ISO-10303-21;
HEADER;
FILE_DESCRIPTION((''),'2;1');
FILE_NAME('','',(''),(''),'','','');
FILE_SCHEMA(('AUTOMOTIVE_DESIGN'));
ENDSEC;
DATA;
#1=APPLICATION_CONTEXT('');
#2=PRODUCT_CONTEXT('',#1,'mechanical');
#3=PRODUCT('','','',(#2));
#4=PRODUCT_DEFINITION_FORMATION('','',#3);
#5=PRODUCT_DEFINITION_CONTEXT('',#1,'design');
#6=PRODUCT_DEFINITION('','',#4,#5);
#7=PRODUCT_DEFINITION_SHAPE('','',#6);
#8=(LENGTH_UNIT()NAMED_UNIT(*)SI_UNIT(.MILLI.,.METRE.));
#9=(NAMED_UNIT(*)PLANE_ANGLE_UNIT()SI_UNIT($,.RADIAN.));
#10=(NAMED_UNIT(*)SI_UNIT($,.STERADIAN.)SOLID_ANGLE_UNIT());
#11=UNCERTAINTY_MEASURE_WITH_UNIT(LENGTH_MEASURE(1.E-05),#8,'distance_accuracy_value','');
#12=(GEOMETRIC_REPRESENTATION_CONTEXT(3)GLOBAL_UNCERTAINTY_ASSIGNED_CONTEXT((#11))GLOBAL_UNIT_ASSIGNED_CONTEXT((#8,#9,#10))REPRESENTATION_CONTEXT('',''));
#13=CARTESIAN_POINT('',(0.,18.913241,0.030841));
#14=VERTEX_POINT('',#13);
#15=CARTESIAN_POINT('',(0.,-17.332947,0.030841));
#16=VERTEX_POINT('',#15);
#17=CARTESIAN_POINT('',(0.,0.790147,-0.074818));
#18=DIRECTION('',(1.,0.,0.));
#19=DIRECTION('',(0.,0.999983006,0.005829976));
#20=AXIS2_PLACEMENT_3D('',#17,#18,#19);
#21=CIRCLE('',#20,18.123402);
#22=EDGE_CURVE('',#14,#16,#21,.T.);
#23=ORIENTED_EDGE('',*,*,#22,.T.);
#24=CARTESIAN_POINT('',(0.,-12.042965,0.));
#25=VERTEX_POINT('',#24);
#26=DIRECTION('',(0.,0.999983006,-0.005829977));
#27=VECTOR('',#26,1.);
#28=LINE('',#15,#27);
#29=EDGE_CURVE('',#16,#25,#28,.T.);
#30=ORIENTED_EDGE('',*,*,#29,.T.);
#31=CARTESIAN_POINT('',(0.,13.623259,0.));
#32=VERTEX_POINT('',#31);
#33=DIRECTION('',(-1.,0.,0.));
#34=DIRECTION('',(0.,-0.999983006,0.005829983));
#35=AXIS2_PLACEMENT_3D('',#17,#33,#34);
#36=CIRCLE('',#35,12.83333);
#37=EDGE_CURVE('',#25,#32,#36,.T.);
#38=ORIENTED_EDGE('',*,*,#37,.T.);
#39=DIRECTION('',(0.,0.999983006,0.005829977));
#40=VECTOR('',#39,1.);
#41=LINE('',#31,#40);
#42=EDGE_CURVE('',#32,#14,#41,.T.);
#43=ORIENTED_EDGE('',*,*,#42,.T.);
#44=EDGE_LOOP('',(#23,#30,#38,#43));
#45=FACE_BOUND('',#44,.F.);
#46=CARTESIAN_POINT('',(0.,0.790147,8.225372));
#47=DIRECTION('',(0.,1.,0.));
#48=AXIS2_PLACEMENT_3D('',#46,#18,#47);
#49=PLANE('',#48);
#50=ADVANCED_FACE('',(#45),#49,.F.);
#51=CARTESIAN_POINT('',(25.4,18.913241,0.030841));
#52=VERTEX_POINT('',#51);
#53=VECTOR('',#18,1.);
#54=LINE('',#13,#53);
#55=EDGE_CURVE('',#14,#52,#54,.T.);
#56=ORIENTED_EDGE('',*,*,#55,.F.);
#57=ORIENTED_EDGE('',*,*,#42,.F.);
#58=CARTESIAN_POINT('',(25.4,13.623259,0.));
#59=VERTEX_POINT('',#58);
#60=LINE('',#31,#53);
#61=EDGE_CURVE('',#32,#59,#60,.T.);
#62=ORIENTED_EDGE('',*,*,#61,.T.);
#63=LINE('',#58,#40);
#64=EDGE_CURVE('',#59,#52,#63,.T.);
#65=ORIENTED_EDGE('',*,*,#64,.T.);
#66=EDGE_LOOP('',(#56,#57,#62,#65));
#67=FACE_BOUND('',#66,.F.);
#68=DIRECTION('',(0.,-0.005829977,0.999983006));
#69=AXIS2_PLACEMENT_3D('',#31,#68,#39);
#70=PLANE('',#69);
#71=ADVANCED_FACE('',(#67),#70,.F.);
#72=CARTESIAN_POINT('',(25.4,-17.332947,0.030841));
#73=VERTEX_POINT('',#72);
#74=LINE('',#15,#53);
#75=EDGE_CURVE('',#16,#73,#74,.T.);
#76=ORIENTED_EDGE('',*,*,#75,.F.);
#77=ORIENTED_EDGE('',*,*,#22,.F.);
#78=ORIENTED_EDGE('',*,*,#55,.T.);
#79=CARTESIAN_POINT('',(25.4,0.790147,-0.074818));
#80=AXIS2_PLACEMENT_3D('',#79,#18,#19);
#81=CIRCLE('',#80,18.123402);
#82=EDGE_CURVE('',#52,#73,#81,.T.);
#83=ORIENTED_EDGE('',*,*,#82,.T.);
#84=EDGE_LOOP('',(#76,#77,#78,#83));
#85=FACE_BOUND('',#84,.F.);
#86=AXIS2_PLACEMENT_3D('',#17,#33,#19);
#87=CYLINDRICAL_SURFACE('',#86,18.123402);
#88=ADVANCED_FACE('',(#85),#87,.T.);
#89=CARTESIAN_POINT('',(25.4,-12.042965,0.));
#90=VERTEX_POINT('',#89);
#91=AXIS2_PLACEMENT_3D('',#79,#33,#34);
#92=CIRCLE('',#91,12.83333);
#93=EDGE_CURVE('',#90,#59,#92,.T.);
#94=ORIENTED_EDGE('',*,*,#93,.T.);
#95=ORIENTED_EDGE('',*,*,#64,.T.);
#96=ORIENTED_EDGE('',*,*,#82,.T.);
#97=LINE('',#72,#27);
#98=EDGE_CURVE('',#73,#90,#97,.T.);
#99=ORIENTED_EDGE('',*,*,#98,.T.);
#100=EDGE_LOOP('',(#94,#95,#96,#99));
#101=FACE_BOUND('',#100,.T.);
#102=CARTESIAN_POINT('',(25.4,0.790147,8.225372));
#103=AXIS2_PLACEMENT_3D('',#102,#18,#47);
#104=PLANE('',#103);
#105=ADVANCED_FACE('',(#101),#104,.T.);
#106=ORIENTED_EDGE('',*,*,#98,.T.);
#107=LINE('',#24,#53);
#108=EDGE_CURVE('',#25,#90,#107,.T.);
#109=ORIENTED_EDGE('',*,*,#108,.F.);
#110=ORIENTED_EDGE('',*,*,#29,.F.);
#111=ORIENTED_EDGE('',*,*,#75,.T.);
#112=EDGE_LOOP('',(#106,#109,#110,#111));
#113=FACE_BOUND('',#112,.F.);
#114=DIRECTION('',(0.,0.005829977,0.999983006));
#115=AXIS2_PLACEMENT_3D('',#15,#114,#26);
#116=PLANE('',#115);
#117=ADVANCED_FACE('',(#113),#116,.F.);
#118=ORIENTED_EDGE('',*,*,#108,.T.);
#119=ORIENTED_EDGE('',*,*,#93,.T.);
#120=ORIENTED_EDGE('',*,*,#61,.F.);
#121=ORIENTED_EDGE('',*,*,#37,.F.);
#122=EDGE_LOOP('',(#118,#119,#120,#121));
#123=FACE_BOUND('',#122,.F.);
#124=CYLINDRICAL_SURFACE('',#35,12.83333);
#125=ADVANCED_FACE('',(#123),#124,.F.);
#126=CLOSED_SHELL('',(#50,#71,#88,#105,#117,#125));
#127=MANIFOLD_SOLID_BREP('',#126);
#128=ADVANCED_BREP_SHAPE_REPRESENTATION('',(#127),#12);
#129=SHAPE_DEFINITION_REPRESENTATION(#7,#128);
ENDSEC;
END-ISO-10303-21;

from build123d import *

# Parameters (mm, degrees)
F1_DEPTH = 25.4


with BuildPart() as f1:
    # F0 (on Right) → F1 (new body)
    with BuildSketch(Plane.YZ):
        with BuildLine():
            ThreePointArc((-12.042965, 0), (0.790147, 12.758512), (13.623259, 0))
            Line((13.623259, 0), (18.913241, 0.030841))
            ThreePointArc((18.913241, 0.030841), (0.790147, 18.048584), (-17.332947, 0.030841))
            Line((-17.332947, 0.030841), (-12.042965, 0))
        make_face()
    extrude(amount=F1_DEPTH)


solid = f1.part
